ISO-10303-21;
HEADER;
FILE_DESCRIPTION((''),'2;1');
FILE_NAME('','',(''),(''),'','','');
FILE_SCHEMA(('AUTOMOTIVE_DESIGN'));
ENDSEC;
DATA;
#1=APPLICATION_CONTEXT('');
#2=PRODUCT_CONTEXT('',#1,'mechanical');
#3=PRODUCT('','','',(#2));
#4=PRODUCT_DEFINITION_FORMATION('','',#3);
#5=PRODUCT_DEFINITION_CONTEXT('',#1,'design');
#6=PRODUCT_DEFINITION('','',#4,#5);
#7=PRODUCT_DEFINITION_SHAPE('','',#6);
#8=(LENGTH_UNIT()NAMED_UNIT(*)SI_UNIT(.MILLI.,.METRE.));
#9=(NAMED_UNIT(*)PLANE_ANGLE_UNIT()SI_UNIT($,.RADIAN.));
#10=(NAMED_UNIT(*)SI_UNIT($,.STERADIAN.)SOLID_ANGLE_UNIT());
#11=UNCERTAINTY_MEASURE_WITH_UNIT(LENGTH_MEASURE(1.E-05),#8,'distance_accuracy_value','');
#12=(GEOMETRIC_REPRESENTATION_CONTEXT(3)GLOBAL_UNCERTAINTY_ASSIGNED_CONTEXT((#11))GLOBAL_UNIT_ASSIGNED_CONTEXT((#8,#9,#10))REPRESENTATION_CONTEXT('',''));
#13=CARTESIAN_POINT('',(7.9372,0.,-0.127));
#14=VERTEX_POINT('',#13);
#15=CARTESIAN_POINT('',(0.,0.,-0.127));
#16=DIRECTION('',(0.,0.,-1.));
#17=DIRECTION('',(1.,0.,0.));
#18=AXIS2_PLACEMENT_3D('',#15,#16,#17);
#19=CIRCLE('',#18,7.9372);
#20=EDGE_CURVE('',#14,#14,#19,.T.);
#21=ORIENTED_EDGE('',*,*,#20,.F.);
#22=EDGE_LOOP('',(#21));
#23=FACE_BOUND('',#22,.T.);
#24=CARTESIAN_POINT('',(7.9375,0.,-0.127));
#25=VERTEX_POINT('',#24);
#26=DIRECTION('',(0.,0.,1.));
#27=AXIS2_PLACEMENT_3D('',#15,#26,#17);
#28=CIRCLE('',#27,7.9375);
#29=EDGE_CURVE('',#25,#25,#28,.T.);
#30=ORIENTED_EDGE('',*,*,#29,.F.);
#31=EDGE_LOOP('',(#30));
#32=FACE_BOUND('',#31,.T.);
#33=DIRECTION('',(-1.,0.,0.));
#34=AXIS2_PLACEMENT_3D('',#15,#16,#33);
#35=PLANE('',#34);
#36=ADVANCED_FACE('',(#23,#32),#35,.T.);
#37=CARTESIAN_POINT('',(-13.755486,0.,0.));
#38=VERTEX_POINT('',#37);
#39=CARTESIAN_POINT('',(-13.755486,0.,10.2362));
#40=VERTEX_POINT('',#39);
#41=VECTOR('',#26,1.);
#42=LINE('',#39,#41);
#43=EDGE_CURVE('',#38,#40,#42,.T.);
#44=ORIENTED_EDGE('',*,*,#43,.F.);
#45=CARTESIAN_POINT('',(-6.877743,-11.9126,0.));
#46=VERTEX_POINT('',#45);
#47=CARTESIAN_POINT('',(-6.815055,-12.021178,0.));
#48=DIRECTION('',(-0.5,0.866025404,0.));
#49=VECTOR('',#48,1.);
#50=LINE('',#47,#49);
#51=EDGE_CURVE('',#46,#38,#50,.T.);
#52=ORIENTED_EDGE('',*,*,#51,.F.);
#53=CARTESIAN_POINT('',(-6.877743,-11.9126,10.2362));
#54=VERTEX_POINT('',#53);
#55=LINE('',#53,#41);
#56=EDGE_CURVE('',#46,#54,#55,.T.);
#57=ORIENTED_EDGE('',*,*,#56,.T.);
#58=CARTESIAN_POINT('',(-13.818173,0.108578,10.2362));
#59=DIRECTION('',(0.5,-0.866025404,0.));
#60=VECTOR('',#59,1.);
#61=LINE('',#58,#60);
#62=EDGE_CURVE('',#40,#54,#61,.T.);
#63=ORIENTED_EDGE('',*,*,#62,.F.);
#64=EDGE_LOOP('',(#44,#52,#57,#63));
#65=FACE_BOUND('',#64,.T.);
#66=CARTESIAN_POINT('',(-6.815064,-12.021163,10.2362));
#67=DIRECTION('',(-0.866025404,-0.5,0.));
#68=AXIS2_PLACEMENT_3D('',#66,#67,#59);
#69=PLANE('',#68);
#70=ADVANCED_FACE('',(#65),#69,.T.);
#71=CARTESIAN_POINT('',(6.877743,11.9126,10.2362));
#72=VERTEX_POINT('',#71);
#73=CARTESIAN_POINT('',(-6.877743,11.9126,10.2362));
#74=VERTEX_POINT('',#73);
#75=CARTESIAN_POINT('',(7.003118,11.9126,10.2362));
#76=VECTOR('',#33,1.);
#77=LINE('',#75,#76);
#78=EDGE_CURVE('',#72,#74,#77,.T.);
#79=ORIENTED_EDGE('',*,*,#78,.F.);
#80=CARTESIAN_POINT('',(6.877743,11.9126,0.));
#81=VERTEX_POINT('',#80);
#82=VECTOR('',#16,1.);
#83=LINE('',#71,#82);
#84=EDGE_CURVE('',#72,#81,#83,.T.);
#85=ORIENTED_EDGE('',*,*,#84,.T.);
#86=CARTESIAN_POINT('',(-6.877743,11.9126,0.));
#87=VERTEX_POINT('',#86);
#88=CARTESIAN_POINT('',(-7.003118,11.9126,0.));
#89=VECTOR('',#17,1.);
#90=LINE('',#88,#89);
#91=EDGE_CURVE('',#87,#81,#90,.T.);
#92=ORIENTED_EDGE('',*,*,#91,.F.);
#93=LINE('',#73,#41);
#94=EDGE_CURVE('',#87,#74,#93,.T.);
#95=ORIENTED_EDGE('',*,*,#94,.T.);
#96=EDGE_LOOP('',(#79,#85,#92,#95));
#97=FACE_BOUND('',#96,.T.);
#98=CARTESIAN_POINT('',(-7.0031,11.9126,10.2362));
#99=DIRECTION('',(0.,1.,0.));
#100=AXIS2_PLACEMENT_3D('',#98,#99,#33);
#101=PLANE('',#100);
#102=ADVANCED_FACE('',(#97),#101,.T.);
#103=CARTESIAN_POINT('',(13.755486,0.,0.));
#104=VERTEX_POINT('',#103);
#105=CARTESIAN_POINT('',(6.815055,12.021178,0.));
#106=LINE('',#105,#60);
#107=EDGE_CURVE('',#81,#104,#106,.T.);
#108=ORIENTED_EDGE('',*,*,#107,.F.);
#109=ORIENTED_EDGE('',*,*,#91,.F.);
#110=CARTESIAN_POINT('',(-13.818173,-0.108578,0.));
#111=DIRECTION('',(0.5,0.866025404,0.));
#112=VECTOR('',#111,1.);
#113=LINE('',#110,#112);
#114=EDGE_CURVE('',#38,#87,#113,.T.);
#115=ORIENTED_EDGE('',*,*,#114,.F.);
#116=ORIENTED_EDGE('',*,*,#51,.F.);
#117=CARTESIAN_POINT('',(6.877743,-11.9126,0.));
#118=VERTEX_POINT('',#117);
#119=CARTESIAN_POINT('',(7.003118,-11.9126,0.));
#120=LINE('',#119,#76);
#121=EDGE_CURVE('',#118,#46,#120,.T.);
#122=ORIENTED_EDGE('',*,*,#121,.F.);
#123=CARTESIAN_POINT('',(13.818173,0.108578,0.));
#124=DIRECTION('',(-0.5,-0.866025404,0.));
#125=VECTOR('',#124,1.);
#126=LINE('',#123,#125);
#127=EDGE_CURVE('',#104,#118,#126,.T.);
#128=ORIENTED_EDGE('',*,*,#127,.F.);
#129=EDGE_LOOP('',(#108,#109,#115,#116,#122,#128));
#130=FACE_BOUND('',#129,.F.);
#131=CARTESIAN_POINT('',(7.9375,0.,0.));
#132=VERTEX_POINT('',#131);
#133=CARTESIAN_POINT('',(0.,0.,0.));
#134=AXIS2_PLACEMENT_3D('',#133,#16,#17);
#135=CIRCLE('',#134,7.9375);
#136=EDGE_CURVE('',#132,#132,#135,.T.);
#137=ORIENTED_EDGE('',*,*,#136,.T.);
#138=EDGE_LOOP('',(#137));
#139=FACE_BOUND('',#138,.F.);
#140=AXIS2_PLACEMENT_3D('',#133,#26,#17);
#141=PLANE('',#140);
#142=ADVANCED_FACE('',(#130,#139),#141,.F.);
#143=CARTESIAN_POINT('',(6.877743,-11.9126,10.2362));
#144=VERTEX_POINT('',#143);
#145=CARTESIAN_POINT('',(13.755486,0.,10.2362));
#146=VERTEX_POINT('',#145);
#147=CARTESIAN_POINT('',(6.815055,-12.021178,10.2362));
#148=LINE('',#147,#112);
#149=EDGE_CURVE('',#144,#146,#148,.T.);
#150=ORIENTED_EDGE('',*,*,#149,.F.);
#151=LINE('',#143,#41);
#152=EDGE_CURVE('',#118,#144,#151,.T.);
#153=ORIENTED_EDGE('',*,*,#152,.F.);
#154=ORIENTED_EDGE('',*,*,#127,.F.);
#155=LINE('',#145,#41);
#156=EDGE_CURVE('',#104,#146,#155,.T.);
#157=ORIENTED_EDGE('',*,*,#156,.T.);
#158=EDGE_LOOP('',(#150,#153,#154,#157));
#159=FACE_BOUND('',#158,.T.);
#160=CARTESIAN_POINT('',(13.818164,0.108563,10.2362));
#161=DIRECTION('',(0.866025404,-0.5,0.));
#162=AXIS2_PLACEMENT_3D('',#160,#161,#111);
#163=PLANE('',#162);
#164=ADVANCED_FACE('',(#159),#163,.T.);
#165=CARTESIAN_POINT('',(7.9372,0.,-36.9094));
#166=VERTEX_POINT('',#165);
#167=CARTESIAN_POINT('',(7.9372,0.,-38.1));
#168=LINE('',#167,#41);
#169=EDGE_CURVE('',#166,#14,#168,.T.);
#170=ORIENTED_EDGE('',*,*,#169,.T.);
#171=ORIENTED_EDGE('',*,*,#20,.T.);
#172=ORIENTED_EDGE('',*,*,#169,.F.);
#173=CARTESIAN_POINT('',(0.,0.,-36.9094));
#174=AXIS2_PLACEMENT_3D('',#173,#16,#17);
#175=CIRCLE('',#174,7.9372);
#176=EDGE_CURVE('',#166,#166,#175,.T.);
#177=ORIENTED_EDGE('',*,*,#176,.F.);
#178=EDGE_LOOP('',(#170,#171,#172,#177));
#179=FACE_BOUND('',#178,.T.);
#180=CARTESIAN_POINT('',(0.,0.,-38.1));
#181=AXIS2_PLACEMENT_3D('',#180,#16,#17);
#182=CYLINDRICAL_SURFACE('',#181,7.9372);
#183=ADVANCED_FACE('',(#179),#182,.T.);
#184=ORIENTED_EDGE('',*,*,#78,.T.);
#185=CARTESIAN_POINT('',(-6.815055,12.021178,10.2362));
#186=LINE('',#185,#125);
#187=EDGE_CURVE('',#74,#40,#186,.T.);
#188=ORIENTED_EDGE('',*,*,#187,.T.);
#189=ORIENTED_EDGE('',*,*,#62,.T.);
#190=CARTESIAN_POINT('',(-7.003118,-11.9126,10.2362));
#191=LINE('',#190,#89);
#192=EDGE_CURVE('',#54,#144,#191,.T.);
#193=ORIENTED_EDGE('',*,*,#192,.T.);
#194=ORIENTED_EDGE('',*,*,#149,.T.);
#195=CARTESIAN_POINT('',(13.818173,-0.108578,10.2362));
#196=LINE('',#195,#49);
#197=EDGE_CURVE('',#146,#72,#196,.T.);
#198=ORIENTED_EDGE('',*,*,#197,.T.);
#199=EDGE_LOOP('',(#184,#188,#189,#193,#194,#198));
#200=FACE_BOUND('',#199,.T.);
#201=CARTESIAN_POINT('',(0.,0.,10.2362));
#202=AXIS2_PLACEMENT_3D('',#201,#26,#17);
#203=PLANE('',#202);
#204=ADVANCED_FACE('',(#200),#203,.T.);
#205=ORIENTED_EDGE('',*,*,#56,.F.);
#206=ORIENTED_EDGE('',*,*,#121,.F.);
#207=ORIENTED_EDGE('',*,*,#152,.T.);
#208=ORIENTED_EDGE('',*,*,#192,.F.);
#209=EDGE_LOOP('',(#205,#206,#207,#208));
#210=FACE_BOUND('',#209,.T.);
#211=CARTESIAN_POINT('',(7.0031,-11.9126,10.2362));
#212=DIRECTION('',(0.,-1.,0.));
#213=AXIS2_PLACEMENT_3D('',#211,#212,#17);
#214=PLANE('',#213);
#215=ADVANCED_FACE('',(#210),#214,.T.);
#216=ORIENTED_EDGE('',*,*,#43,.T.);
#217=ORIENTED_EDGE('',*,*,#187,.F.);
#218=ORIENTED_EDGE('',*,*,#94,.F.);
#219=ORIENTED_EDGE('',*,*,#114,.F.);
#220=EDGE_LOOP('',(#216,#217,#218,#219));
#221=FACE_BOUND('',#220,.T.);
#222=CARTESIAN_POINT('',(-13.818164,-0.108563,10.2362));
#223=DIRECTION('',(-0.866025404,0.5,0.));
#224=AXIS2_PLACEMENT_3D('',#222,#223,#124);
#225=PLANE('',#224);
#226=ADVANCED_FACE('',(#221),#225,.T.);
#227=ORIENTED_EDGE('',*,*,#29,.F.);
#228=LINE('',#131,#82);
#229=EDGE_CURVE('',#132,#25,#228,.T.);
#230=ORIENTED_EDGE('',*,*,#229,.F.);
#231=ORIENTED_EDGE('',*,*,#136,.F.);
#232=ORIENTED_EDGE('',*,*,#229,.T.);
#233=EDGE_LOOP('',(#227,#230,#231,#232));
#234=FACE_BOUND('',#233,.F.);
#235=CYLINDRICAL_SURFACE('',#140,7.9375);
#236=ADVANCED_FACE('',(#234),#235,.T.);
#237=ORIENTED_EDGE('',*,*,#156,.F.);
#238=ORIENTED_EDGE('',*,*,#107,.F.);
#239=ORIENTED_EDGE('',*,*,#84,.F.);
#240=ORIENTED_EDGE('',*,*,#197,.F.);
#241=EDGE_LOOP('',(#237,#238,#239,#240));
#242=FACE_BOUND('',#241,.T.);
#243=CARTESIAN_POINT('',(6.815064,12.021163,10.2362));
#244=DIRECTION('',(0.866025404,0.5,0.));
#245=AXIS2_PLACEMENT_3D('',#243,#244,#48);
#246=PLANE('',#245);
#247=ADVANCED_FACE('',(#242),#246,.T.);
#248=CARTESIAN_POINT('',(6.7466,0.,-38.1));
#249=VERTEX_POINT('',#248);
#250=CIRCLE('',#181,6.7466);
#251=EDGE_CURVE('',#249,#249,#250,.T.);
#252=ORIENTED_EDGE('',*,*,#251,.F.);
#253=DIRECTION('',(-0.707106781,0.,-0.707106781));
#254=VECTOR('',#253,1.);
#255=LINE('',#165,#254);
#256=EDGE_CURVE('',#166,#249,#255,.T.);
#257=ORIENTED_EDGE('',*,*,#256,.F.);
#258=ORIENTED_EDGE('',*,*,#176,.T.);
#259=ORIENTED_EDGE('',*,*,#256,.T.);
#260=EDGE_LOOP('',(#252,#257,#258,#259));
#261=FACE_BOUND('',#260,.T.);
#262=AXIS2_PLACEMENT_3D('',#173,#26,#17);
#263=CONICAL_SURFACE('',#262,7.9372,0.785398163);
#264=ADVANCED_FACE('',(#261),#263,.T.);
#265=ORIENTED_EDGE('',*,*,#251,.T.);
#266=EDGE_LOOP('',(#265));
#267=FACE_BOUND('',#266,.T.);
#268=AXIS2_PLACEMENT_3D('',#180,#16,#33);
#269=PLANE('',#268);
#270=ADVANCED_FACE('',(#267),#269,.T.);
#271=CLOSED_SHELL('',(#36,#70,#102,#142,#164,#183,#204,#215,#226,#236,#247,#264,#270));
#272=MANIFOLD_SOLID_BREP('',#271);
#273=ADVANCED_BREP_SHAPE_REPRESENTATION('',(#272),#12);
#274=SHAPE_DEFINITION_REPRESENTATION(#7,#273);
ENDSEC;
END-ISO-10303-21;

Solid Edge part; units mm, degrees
sketch "Sketch1" plane through (0, 0, 0) normal (0, 0, 1) x (1, 0, 0)
  circle A0 centre (0, 0) radius 13.8186
  dimension "D1" = 27.6372
extrude "Protrusion1" add sketch "Sketch1" along normal blind 10.2362
sketch "Sketch2" plane through (0, 0, 0) normal (0, 0, -1) x (1, 0, 0)
  circle A0 centre (0, 0) radius 7.9375
extrude "Protrusion2" add sketch "Sketch2" along normal blind 38.1
sketch "Sketch3" plane through (0, 0, -38.1) normal (0, 0, -1) x (1, 0, 0)
  circle A0 centre (0, 0) radius 7.9372
extrude "Cutout1" cut sketch "Sketch3" against normal blind 37.973 flip side to cut
chamfer "Chamfer_1" distance 1.1906 angle 45 1 edges at (-7.9372, 0, -38.1)
sketch "Sketch4" plane through (0, 0, 10.2362) normal (0, 0, 1) x (1, 0, 0)
  line L0 (-7.0031, 11.9126) -> (7.0031, 11.9126)
  dimension "D1" = 23.8252
extrude "Cutout2" cut sketch "Sketch4" against normal up to next material side at (0, 11.9626, 10.2362)
pattern_circular "Pattern1" count 6 over 360 about axis through (0, 0, 10.2362) along (0, 0, 1) of "Cutout2"
properties part number "24100039"
